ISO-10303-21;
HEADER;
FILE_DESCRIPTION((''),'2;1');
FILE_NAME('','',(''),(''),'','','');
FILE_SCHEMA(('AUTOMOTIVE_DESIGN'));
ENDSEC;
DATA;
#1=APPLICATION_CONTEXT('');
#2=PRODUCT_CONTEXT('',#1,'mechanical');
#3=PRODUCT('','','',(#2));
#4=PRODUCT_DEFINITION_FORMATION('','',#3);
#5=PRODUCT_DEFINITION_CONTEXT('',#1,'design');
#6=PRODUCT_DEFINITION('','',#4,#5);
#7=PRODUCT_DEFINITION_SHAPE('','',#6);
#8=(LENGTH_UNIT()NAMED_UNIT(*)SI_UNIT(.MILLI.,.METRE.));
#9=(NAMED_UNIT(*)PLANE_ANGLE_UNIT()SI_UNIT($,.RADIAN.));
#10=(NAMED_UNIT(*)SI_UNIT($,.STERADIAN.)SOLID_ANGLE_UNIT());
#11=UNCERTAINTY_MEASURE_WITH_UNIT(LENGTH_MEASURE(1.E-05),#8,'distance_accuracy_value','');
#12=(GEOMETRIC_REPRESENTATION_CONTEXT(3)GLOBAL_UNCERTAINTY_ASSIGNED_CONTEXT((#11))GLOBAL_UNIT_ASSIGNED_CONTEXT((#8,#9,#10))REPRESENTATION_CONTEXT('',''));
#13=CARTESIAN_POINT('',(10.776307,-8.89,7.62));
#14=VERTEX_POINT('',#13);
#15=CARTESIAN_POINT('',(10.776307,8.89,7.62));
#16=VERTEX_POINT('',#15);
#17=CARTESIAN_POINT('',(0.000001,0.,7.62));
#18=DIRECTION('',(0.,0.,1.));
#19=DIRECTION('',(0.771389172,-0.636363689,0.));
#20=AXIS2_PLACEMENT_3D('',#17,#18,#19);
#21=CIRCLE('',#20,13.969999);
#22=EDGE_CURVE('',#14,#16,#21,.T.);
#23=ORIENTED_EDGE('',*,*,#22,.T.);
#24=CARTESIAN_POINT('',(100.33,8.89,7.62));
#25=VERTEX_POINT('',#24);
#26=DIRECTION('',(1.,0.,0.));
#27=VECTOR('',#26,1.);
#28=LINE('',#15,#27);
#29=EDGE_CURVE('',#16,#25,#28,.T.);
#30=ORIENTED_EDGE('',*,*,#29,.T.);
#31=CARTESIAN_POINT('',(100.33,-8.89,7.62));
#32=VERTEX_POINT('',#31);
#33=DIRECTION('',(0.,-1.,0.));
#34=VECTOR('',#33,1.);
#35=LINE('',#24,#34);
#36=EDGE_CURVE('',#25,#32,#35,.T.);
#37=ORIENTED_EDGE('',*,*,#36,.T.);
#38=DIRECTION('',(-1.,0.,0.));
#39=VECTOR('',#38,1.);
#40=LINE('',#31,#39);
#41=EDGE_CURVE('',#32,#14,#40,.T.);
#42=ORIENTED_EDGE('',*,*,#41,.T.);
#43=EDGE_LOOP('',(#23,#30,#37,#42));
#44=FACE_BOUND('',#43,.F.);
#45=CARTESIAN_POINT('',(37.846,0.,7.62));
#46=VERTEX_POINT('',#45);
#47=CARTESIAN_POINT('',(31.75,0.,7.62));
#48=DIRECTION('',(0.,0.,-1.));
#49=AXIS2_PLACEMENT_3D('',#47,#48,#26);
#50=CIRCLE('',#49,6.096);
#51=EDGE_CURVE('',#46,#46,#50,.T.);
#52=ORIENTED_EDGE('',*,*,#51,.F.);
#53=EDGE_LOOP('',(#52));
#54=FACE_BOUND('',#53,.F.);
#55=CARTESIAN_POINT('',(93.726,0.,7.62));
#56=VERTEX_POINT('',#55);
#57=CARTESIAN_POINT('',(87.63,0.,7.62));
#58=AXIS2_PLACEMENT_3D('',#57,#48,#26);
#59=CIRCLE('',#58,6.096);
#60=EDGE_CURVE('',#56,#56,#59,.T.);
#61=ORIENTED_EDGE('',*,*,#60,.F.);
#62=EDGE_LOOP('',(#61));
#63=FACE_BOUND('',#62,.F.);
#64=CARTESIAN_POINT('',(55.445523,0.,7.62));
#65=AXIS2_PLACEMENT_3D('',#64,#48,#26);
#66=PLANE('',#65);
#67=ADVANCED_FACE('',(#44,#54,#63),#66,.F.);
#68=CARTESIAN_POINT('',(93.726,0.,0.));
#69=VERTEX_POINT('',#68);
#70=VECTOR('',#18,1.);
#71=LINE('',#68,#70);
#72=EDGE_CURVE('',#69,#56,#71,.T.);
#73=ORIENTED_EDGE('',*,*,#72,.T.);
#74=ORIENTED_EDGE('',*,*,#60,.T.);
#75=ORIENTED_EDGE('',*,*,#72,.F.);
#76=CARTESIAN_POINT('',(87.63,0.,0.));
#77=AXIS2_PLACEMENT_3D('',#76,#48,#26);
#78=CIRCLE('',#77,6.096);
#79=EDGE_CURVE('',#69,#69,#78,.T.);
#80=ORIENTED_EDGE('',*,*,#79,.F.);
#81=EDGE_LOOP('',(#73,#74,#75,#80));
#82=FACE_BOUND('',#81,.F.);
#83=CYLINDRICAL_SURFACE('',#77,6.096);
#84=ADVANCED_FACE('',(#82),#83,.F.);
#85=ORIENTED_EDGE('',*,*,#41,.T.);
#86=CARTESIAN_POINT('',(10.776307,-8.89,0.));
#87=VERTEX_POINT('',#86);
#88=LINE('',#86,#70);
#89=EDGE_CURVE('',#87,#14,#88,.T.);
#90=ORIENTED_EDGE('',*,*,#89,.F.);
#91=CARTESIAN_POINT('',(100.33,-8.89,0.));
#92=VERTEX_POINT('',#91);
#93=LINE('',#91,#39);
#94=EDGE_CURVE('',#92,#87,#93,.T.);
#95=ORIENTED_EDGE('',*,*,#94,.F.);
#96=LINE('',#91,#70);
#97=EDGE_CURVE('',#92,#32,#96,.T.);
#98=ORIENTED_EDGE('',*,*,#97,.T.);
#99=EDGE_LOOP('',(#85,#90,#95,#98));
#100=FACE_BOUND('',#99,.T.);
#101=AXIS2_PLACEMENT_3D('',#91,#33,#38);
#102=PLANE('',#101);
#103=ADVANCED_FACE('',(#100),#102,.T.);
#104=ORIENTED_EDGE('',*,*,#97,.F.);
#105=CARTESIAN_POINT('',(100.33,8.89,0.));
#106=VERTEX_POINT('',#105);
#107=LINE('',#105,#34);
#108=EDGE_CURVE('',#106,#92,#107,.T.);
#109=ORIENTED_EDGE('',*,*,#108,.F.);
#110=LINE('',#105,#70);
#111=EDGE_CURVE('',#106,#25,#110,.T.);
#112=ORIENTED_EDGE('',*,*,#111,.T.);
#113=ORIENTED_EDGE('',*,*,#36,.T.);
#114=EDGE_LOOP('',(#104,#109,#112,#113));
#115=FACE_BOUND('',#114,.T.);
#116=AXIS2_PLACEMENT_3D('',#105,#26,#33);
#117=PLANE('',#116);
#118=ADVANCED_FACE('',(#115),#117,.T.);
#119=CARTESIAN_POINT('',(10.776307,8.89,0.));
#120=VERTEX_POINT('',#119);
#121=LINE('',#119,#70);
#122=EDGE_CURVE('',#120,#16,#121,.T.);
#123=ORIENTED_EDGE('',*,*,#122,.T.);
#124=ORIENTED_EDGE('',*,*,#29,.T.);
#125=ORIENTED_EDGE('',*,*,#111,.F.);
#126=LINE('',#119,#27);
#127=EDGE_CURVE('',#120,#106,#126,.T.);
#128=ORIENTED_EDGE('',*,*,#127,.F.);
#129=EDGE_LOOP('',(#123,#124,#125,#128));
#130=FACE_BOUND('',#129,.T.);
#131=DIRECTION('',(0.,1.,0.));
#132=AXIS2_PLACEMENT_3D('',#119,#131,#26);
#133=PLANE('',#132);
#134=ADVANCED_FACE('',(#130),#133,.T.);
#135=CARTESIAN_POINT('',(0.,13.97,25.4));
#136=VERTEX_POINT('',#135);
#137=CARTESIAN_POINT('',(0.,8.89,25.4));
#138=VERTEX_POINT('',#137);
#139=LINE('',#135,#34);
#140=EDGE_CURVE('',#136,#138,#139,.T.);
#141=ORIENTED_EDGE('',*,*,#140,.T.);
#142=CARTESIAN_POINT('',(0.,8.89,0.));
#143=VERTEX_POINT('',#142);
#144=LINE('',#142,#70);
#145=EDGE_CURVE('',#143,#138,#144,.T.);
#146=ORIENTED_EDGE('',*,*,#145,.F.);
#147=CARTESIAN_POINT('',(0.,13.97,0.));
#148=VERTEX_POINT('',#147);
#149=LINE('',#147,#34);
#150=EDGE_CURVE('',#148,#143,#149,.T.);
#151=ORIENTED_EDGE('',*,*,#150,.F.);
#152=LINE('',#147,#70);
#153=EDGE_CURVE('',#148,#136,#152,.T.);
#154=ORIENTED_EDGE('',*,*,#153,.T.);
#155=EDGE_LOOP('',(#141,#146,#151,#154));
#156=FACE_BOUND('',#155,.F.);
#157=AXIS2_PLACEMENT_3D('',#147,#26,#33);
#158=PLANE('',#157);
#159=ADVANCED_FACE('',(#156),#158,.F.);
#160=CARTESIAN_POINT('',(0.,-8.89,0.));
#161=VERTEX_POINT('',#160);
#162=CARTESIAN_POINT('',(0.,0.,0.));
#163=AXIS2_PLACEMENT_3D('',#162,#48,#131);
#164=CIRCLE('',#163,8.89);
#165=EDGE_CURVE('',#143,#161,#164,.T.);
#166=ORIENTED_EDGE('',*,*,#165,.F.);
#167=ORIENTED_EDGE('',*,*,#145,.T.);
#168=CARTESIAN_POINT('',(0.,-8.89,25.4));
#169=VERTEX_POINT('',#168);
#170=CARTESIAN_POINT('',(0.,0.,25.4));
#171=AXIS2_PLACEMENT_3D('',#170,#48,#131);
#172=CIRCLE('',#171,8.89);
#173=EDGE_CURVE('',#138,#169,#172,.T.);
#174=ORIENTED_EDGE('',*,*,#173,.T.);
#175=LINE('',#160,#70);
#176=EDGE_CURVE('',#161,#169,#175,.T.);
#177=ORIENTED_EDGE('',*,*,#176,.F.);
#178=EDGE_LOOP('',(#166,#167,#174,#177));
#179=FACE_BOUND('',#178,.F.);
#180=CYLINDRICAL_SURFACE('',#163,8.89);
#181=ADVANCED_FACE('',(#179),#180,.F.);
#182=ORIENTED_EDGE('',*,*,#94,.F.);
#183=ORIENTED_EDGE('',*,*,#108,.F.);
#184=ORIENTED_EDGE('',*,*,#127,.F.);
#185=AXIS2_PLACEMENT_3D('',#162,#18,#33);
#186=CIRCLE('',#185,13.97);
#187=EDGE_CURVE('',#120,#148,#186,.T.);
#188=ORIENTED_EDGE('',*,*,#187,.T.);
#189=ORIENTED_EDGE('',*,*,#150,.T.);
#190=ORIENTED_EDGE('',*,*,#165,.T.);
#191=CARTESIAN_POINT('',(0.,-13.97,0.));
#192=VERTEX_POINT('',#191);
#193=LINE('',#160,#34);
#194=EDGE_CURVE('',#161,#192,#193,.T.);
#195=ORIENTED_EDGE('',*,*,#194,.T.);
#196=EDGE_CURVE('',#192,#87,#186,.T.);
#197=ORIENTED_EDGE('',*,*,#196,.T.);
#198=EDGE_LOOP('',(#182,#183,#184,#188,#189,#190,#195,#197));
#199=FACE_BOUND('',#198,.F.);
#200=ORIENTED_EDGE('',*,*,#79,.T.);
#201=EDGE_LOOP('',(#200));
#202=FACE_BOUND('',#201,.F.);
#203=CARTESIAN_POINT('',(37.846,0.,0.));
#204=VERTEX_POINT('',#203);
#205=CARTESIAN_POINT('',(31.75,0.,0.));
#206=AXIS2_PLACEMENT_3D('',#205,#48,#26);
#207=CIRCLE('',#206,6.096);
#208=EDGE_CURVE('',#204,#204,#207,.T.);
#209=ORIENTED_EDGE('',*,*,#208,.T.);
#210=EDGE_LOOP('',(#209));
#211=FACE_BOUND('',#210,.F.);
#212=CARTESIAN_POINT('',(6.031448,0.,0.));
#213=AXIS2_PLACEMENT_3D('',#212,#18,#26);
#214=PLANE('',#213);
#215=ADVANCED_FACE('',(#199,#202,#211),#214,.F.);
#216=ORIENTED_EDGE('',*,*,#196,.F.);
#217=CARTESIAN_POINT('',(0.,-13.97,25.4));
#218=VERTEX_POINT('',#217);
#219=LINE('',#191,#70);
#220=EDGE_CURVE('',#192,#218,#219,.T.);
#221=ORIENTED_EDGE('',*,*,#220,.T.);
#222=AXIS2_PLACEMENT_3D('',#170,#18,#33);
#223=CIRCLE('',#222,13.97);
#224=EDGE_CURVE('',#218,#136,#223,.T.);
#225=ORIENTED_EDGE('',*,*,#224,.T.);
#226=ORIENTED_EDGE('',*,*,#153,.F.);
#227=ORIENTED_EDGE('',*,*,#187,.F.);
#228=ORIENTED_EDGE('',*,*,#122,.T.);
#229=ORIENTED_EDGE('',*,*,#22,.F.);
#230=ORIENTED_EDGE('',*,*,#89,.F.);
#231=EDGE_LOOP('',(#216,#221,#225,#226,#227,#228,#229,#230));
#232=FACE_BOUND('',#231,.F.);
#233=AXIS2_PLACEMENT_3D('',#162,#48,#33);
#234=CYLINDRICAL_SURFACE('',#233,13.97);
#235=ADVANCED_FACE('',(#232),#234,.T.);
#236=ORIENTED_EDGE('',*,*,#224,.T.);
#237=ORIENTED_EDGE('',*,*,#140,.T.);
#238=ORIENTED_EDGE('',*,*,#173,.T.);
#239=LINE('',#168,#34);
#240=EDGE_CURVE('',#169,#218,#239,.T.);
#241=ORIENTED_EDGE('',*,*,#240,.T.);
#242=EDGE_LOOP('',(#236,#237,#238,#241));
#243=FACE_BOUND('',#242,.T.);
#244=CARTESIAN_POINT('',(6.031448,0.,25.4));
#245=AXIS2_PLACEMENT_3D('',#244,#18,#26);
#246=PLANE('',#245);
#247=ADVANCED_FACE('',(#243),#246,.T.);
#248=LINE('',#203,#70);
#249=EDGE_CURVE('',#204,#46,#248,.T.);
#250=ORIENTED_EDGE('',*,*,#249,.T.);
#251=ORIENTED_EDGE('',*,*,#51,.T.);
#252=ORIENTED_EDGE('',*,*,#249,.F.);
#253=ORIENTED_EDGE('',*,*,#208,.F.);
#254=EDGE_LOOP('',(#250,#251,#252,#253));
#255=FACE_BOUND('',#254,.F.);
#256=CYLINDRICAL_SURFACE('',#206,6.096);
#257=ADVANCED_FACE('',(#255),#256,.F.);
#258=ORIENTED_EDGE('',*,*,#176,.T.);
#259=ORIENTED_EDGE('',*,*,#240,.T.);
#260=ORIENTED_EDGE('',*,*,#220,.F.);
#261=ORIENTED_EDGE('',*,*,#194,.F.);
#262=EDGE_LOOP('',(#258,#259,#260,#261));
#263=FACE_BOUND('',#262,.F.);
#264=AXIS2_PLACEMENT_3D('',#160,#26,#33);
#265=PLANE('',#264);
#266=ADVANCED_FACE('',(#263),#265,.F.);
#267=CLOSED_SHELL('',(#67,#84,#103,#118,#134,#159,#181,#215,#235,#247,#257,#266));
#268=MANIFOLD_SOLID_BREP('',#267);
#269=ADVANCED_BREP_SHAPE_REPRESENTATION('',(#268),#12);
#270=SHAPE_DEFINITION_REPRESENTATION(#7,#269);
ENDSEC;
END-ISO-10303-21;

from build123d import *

# Parameters (mm, degrees)
F1_DEPTH = 25.4
F2_R     = 6.096
F3_DEPTH = 7.62


with BuildPart() as f1:
    # F0 (on Top) → F1 (new body)
    with BuildSketch(Plane.XY):
        with BuildLine():
            ThreePointArc((0, 8.89), (8.89, 0), (0, -8.89))
            Line((0, -8.89), (0, -13.97))
            ThreePointArc((0, -13.97), (13.97, 0), (0, 13.97))
            Line((0, 13.97), (0, 8.89))
        make_face()
    extrude(amount=F1_DEPTH)

    # F2 (on face) → F3 (join)
    with BuildSketch(Plane(origin=(0, 0, 0), x_dir=(1, 0, 0), z_dir=(0, 0, -1))):
        with BuildLine():
            Line((100.33, 8.89), (10.776307, 8.89))
            ThreePointArc((10.776307, 8.89), (13.97, 0), (10.776307, -8.89))
            Line((10.776307, -8.89), (100.33, -8.89))
            Line((100.33, -8.89), (100.33, 8.89))
        make_face()
        with Locations((31.75, 0)):
            Circle(F2_R, mode=Mode.SUBTRACT)
        with Locations((87.63, 0)):
            Circle(F2_R, mode=Mode.SUBTRACT)
    extrude(amount=-F3_DEPTH)


solid = f1.part
